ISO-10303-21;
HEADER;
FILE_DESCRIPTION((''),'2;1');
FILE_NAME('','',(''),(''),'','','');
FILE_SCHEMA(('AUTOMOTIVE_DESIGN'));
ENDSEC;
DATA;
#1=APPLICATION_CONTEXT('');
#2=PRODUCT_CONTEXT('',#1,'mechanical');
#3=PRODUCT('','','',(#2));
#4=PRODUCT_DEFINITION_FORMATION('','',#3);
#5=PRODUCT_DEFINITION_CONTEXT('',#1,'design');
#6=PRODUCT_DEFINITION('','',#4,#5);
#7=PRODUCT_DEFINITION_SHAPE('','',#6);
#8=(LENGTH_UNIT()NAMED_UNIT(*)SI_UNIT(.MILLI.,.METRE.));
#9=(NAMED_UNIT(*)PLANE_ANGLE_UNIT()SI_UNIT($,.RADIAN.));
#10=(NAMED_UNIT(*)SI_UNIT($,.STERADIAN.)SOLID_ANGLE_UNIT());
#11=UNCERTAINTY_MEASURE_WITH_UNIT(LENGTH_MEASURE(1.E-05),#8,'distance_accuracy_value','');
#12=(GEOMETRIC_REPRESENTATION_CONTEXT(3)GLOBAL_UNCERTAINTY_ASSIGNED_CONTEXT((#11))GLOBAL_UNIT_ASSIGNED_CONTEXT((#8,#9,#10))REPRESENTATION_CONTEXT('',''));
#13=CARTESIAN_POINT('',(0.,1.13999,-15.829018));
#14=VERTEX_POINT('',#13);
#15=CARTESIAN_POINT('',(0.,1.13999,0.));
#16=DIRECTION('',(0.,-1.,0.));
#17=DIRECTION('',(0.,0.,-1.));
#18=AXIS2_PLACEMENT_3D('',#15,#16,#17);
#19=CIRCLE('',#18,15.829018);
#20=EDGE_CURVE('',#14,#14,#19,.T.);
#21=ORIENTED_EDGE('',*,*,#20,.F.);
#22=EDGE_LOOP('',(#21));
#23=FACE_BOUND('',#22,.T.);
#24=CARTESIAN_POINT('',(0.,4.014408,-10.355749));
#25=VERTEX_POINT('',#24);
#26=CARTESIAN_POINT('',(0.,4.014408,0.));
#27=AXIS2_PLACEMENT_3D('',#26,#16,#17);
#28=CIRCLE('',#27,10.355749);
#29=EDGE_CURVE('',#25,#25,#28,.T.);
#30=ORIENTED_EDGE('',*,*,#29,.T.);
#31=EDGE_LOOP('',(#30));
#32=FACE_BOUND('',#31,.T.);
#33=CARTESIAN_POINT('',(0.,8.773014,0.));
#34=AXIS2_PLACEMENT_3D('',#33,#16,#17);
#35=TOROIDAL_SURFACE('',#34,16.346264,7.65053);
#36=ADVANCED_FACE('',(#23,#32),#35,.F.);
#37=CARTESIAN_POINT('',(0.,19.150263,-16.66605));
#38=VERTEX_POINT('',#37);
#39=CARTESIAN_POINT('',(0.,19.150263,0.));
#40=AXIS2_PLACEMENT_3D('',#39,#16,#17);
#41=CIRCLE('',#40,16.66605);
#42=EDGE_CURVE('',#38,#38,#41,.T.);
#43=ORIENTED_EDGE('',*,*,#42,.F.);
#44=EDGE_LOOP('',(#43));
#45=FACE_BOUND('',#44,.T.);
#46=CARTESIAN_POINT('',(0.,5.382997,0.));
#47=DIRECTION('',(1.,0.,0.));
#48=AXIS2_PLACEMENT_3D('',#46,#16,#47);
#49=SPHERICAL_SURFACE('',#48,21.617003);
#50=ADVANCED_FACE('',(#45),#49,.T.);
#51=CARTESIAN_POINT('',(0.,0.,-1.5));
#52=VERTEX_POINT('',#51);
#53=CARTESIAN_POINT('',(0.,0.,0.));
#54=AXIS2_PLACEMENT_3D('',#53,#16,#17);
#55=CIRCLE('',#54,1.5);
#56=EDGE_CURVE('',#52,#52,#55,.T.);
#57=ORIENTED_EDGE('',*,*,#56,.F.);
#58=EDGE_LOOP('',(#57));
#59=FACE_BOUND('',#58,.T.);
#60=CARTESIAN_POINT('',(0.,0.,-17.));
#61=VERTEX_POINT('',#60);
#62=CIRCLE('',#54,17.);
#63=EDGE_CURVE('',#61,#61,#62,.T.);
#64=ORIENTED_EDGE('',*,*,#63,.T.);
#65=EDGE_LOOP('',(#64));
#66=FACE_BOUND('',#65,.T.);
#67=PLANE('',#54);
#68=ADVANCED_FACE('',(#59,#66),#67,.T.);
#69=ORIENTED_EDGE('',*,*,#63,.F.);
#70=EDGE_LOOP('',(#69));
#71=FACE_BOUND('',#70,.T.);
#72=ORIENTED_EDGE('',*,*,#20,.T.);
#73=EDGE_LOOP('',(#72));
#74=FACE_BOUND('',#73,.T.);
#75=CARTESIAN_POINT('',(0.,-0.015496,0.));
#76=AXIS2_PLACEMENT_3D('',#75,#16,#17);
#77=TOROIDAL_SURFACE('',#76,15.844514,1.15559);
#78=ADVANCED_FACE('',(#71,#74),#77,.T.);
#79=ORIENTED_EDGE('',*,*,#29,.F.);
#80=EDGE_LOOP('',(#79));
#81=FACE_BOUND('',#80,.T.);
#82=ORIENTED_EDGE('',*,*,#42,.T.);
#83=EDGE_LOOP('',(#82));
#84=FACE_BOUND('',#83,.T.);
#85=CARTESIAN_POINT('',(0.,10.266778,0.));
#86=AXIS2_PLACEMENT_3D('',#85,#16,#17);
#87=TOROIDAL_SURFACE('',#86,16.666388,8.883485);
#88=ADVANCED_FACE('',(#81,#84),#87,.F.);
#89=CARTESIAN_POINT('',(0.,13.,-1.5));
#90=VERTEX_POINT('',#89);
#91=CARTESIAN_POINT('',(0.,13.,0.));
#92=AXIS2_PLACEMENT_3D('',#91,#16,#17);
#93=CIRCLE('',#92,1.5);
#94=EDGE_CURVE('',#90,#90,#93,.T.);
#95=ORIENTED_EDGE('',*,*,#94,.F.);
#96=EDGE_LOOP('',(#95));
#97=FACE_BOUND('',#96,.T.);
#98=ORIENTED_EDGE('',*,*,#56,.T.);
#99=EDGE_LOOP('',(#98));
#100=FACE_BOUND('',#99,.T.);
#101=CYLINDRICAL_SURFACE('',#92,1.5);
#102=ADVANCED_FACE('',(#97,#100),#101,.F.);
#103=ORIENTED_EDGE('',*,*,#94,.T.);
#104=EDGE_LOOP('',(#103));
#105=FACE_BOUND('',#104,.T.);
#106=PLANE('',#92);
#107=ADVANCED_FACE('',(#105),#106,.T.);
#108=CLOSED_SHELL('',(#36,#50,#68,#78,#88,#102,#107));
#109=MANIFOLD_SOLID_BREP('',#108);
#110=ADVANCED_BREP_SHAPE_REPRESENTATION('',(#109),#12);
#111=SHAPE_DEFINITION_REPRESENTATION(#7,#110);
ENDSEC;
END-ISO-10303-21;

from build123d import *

# Parameters (mm, degrees)
SKETCH3_R          = 1.5
CUT_EXTRUDE2_DEPTH = 13


with BuildPart() as part:
    # Sketch1 → Revolve1 (revolve)
    with BuildSketch(Plane.XY, mode=Mode.PRIVATE) as revolve1_sk:
        with BuildLine():
            Line((0, 0), (0, 27))
            ThreePointArc((0, 27), (9.211074802, 24.939349426), (16.666049883, 19.150262594))
            ThreePointArc((16.666049883, 19.150262594), (8.466959251, 13.685208076), (10.355749103, 4.014407645))
            ThreePointArc((10.355749103, 4.014407645), (12.789115338, 1.999736062), (15.829018223, 1.139990011))
            ThreePointArc((15.829018223, 1.139990011), (16.650608773, 0.812513272), (17, 0))
            Line((17, 0), (0, 0))
        make_face()
    revolve(revolve1_sk.sketch.rotate(Axis((0, 0, 0), (0, 1, 0)), 90), axis=Axis((0, 0, 0), (0, 1, 0)))

    # Sketch3 → Cut-Extrude2 (cut)
    with BuildSketch(Plane.XZ):
        with Locations(Location((0, 0, 0), (0, 0, 270))):
            Circle(SKETCH3_R)
    extrude(amount=-CUT_EXTRUDE2_DEPTH, mode=Mode.SUBTRACT)


solid = part.part
